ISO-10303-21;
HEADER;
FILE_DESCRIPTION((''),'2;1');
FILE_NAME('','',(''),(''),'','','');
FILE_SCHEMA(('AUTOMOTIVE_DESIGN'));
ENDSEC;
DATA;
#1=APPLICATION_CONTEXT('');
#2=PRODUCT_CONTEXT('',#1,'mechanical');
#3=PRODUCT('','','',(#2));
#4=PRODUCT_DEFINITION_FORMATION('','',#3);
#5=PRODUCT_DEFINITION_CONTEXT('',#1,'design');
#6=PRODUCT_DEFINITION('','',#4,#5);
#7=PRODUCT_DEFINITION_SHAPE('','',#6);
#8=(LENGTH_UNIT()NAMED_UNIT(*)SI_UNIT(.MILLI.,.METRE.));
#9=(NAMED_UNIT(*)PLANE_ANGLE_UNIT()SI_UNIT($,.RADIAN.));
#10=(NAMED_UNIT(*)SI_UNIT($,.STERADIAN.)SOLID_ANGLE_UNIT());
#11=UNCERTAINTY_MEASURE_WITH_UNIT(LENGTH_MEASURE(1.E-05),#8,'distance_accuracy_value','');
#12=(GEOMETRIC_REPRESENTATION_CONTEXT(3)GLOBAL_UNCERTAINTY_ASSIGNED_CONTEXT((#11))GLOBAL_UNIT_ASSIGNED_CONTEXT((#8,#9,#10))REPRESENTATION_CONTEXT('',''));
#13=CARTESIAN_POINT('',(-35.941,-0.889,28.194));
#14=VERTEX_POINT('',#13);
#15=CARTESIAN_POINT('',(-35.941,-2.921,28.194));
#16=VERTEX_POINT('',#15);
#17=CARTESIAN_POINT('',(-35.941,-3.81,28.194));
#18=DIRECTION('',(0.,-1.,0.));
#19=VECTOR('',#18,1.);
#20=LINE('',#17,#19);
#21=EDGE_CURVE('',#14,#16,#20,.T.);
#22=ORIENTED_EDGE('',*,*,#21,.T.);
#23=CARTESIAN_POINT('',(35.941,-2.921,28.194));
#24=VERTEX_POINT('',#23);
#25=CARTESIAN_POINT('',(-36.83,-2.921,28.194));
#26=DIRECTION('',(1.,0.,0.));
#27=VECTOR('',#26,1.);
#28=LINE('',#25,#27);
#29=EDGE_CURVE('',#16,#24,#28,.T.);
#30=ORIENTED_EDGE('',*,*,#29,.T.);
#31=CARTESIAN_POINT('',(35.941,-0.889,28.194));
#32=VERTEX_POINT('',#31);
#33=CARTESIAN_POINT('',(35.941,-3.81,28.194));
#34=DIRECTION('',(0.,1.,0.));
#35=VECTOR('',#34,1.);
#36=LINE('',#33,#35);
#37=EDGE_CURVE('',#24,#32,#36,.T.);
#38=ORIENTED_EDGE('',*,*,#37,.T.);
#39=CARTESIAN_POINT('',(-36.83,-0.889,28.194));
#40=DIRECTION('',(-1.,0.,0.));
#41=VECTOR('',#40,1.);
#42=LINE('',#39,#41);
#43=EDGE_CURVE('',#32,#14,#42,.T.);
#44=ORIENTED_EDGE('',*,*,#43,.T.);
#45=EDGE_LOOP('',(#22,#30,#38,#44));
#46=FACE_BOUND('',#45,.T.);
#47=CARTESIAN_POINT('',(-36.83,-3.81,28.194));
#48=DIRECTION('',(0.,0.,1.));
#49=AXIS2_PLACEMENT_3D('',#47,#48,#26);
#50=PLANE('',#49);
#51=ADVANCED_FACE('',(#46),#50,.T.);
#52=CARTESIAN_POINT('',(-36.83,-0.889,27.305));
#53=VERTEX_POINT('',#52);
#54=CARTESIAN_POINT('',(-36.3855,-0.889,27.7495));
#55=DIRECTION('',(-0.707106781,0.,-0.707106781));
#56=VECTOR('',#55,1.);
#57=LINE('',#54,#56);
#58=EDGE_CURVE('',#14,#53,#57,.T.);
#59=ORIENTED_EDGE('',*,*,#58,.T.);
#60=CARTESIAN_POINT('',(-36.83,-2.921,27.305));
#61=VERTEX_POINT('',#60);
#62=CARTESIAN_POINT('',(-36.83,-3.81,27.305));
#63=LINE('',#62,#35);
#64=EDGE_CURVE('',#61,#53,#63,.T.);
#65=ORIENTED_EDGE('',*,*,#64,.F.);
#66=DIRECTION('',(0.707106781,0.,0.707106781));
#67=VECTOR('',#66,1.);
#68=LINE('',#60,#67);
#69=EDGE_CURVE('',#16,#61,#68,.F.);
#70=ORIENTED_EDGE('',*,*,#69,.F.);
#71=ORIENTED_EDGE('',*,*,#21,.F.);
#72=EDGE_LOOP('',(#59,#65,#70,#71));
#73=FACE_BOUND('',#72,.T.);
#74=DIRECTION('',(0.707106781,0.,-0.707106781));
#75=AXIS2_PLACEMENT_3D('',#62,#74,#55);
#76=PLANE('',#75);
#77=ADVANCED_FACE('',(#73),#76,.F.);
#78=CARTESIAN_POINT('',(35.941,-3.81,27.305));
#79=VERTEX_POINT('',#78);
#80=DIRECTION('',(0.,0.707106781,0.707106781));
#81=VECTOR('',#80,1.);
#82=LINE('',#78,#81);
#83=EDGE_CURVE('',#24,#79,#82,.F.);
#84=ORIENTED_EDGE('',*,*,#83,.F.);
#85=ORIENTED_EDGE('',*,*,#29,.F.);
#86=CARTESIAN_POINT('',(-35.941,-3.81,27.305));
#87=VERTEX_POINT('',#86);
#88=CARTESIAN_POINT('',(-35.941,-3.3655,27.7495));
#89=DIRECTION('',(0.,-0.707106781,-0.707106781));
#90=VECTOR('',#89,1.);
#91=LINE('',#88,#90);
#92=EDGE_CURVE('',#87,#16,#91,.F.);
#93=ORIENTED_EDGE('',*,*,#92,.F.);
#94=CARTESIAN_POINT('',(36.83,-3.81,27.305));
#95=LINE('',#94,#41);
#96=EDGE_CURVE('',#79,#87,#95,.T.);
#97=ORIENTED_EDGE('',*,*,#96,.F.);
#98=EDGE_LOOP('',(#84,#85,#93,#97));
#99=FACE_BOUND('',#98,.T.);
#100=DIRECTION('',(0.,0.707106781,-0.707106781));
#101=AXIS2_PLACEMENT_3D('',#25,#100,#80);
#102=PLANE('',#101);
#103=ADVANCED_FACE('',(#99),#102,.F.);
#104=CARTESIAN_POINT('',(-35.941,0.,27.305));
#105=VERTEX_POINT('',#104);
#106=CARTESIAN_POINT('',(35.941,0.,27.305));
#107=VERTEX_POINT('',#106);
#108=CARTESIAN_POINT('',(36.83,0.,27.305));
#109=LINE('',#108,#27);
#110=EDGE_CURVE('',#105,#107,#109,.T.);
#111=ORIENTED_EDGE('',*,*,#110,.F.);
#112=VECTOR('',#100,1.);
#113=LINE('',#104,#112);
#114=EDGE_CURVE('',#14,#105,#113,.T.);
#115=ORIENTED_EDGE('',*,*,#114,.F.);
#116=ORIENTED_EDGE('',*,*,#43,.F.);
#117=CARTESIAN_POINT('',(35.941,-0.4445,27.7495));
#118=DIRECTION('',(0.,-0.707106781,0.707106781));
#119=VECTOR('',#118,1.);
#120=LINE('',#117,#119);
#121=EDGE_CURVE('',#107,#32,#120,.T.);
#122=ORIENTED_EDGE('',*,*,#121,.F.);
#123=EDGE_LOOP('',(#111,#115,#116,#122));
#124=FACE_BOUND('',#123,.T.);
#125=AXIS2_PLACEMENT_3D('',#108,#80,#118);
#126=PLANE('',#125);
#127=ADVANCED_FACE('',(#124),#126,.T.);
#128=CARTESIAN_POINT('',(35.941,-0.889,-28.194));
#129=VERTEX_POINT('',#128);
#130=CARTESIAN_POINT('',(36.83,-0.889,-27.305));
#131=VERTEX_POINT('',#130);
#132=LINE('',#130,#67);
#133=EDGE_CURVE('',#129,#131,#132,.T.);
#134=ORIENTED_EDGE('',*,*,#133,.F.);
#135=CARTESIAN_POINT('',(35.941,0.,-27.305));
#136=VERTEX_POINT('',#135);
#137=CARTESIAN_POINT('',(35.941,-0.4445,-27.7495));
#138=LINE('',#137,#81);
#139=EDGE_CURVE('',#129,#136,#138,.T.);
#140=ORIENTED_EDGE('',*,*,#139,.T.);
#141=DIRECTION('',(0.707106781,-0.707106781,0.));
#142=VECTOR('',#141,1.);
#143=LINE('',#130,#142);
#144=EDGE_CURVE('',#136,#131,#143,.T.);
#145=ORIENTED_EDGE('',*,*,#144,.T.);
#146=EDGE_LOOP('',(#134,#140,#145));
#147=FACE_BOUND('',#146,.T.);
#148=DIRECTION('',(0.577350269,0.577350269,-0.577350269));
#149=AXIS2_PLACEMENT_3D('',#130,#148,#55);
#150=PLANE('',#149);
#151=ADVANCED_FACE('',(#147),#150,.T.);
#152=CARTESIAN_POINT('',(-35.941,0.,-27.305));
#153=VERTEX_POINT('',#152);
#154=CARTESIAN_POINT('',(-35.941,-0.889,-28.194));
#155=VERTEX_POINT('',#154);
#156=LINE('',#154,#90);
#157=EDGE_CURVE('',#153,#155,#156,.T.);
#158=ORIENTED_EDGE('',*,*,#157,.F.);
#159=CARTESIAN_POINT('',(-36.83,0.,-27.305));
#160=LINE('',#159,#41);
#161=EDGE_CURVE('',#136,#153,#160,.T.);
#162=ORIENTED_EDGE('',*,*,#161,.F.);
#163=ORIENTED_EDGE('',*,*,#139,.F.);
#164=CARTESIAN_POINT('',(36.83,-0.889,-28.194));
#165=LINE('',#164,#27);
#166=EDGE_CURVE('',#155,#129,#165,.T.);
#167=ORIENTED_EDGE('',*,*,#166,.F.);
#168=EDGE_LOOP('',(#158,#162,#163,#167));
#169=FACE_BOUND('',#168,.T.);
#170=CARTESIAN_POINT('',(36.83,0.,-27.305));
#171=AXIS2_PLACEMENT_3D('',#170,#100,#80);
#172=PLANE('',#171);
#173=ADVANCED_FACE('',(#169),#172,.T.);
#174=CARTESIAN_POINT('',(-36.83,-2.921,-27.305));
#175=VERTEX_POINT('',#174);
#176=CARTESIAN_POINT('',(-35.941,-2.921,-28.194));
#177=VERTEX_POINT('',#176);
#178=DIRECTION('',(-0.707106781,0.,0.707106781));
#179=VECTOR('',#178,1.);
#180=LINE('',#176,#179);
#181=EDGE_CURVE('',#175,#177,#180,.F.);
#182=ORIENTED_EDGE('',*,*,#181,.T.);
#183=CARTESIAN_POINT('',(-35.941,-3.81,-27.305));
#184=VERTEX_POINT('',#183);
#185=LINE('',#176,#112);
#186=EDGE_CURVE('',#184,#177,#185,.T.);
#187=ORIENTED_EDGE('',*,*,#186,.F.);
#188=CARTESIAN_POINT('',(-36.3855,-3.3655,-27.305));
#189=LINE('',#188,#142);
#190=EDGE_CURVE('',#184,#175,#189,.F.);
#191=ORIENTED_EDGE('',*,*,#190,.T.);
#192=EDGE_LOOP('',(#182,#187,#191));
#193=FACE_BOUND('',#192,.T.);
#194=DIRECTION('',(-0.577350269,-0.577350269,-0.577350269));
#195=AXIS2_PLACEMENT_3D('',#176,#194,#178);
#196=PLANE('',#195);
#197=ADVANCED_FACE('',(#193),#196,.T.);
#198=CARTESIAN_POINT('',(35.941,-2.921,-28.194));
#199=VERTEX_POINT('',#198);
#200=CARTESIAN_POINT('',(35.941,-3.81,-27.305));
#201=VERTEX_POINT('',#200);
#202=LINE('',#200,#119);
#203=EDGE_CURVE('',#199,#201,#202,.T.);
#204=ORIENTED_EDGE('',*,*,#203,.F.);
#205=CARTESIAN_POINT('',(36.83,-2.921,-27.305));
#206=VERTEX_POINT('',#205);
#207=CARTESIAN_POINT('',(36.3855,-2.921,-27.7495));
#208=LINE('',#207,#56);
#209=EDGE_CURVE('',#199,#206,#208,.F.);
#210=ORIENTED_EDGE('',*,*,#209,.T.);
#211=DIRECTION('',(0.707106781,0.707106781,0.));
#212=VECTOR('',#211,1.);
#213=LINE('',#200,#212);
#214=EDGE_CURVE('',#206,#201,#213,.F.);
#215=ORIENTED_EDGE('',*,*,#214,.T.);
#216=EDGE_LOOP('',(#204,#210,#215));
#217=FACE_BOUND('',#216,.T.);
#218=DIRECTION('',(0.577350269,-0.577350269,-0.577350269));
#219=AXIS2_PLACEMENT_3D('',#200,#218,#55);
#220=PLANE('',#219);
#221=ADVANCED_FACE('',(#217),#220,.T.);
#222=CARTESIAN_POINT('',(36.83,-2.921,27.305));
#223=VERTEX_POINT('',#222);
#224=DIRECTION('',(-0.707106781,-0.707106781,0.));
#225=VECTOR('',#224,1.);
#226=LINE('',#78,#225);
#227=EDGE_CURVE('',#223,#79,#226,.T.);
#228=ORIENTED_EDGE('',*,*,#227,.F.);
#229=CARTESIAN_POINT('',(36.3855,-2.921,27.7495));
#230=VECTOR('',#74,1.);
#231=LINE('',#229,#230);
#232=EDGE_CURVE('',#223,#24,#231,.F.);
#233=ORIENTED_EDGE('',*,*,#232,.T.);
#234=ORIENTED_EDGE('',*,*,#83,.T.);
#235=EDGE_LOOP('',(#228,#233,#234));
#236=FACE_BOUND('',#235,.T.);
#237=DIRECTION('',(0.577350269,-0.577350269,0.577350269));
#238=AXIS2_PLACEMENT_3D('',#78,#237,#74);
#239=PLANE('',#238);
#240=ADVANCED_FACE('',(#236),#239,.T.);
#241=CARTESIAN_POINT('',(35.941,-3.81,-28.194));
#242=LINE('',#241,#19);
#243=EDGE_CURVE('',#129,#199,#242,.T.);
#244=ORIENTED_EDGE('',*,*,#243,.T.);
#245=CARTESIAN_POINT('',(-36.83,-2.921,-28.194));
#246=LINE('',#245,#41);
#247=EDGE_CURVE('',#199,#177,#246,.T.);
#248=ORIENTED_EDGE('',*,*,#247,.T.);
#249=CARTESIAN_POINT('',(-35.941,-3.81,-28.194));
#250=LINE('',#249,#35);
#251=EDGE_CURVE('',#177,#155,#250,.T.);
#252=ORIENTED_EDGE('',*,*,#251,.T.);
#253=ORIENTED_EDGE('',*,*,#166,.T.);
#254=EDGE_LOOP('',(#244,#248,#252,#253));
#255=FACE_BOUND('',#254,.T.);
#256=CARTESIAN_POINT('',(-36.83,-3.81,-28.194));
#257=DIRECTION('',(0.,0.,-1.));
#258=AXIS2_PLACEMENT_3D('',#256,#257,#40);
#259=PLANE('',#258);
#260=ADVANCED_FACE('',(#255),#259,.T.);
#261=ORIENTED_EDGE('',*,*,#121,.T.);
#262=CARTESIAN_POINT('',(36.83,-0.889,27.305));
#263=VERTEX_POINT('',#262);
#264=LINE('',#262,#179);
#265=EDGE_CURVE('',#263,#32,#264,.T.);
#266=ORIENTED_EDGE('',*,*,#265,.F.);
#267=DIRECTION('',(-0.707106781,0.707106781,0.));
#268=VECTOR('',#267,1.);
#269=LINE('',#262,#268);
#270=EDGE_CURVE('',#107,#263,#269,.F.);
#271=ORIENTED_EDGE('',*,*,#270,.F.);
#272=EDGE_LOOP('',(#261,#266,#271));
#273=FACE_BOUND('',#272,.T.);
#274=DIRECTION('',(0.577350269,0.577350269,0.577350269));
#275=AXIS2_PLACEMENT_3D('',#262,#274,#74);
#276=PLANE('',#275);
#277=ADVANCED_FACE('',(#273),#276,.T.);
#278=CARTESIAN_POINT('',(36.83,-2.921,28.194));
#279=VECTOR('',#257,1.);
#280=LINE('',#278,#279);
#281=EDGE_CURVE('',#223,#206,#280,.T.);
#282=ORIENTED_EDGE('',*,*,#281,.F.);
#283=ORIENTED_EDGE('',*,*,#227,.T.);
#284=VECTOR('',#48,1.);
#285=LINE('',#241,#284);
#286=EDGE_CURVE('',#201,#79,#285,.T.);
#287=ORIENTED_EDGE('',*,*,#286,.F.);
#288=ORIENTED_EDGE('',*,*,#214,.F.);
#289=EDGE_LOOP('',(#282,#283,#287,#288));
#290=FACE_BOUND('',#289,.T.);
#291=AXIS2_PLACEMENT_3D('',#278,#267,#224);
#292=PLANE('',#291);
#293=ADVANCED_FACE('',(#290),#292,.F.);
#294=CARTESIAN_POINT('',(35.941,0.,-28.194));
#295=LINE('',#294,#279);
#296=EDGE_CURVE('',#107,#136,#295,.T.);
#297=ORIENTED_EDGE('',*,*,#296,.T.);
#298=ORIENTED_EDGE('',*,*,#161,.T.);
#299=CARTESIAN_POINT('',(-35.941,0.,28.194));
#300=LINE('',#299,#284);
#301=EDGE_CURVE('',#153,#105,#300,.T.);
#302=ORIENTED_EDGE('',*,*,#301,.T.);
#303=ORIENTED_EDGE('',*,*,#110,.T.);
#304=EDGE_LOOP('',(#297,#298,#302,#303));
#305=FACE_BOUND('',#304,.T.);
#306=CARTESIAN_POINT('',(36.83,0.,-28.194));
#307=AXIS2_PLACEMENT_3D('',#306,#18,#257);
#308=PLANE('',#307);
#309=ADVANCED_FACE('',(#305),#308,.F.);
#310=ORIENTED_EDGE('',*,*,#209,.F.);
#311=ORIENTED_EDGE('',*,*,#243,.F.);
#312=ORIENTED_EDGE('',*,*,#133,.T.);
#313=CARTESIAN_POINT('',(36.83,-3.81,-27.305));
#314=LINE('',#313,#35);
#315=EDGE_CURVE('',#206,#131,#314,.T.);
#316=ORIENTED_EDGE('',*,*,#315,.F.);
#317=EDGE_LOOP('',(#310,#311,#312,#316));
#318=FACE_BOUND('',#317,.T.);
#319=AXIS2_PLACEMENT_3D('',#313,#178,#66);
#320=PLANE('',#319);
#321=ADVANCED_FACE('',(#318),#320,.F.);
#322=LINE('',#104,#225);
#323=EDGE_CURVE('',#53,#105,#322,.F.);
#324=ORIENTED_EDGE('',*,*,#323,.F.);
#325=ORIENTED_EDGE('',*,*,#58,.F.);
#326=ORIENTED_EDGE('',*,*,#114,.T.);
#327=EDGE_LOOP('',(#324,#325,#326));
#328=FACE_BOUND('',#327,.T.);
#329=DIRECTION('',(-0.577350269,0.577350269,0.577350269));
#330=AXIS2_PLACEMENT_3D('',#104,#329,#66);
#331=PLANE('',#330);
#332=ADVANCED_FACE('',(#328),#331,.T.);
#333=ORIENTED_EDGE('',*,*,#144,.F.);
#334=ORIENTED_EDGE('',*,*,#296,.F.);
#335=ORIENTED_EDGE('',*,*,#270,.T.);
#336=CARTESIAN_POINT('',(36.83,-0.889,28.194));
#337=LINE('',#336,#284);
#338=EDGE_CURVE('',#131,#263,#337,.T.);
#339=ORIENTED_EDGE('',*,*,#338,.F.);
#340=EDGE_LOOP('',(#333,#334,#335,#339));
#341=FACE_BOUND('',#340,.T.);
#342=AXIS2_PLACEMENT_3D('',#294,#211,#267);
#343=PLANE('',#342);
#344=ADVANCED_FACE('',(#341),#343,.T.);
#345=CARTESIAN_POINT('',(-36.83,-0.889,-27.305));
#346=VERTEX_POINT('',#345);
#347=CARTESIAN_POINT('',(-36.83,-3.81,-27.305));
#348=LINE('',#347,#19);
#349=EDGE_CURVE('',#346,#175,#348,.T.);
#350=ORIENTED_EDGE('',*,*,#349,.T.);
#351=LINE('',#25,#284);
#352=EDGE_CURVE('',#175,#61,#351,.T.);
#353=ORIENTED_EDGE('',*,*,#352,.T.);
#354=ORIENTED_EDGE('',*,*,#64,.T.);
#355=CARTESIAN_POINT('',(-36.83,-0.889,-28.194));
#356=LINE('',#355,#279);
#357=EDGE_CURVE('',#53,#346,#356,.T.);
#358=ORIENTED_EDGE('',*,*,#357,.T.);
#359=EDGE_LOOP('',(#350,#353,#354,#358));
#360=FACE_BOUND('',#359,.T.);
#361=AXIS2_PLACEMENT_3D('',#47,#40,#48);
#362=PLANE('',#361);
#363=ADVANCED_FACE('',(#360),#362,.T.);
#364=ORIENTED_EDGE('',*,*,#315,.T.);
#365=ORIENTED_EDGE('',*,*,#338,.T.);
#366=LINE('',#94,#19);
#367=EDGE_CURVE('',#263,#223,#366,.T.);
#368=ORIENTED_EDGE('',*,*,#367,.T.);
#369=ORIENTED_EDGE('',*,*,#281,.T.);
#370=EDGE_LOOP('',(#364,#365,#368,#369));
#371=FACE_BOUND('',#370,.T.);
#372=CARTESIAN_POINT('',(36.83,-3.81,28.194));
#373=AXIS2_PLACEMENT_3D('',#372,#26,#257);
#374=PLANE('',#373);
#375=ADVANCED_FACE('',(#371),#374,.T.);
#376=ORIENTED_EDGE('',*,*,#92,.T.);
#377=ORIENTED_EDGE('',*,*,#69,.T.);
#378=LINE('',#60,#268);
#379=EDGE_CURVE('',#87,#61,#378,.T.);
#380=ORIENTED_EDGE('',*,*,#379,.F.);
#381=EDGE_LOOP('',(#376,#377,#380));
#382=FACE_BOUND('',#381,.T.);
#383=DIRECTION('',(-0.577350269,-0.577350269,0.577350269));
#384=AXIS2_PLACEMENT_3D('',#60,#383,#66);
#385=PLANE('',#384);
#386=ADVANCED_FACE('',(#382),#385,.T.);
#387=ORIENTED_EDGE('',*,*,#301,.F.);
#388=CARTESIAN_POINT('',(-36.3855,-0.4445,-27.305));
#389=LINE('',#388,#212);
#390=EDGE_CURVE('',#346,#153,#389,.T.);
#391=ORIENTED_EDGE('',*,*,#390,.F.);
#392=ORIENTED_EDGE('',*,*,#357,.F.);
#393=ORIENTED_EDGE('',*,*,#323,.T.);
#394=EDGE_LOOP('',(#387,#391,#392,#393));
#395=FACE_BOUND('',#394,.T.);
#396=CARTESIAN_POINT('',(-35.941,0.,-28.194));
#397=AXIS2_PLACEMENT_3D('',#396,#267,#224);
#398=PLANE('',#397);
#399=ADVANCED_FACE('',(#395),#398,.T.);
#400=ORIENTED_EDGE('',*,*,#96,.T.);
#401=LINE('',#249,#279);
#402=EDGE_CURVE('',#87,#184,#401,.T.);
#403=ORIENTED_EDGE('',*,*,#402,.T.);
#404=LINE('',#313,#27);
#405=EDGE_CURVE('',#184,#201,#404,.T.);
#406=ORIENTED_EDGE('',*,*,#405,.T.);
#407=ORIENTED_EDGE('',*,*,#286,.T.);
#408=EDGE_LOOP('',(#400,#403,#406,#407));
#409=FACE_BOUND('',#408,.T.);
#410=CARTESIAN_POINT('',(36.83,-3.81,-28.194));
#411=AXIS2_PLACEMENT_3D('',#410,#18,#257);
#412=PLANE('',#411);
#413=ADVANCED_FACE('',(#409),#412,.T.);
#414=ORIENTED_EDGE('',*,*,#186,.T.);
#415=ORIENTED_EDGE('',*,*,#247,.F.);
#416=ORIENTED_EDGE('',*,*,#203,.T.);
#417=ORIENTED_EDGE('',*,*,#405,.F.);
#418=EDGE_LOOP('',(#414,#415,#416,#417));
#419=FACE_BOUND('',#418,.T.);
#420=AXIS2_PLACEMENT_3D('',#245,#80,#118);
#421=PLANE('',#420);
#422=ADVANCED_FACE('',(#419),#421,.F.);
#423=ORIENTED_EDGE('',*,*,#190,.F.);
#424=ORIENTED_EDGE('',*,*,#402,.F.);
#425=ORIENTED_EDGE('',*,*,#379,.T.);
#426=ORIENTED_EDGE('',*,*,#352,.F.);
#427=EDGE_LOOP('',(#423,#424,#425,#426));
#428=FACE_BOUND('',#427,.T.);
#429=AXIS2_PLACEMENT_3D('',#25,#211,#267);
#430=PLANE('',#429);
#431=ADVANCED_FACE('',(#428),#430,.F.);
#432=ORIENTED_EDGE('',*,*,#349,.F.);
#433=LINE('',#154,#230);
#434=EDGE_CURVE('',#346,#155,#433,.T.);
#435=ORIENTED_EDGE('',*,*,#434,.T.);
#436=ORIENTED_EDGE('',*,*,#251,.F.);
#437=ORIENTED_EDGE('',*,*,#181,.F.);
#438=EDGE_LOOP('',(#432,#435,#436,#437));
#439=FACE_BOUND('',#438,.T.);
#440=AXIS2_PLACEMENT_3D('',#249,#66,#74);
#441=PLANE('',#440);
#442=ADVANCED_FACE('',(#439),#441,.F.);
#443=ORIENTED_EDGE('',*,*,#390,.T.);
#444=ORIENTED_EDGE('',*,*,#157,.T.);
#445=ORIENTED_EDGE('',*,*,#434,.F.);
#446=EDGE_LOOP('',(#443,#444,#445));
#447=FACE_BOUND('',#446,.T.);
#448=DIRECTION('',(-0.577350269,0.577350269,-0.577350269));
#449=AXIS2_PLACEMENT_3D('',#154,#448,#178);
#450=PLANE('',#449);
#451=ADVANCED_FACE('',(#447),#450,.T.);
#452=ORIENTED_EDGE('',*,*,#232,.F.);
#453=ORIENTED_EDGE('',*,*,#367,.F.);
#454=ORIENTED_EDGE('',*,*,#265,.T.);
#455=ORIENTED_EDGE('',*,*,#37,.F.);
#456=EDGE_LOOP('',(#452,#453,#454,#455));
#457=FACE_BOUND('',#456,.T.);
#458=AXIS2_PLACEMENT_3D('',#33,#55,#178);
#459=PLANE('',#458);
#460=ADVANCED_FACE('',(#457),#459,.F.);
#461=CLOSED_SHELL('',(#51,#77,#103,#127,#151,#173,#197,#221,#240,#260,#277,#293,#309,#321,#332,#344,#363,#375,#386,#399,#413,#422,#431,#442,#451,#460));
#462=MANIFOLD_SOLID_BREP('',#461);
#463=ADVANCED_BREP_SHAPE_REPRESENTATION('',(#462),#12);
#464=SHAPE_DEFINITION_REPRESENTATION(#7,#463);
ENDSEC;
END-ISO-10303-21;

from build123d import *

# Parameters (mm, degrees)
SKETCH1_W           = 73.66
SKETCH1_H           = 56.388
BOSS_EXTRUDE1_DEPTH = 3.81
CHAMFER1_SIZE       = 0.889


with BuildPart() as part:
    # Sketch1 → Boss-Extrude1 (new body)
    with BuildSketch(Plane(origin=(0, 0, 0), x_dir=(1, 0, 0), z_dir=(0, 1, 0))):
        Rectangle(SKETCH1_W, SKETCH1_H)
    extrude(amount=-BOSS_EXTRUDE1_DEPTH)

    # Chamfer1
    chamfer1_edges = [part.edges().sort_by_distance(p)[0] for p in [
        (-36.83, -3.81, 0),
        (0, -3.81, 28.194),
        (36.83, -3.81, 0),
        (0, 0, 28.194),
        (-36.83, 0, 0),
        (0, 0, -28.194),
        (36.83, 0, 0),
        (0, -3.81, -28.194),
        (36.83, -1.905, 28.194),
        (-36.83, -1.905, 28.194),
        (-36.83, -1.905, -28.194),
        (36.83, -1.905, -28.194),
    ]]
    chamfer(chamfer1_edges, length=CHAMFER1_SIZE)


solid = part.part
